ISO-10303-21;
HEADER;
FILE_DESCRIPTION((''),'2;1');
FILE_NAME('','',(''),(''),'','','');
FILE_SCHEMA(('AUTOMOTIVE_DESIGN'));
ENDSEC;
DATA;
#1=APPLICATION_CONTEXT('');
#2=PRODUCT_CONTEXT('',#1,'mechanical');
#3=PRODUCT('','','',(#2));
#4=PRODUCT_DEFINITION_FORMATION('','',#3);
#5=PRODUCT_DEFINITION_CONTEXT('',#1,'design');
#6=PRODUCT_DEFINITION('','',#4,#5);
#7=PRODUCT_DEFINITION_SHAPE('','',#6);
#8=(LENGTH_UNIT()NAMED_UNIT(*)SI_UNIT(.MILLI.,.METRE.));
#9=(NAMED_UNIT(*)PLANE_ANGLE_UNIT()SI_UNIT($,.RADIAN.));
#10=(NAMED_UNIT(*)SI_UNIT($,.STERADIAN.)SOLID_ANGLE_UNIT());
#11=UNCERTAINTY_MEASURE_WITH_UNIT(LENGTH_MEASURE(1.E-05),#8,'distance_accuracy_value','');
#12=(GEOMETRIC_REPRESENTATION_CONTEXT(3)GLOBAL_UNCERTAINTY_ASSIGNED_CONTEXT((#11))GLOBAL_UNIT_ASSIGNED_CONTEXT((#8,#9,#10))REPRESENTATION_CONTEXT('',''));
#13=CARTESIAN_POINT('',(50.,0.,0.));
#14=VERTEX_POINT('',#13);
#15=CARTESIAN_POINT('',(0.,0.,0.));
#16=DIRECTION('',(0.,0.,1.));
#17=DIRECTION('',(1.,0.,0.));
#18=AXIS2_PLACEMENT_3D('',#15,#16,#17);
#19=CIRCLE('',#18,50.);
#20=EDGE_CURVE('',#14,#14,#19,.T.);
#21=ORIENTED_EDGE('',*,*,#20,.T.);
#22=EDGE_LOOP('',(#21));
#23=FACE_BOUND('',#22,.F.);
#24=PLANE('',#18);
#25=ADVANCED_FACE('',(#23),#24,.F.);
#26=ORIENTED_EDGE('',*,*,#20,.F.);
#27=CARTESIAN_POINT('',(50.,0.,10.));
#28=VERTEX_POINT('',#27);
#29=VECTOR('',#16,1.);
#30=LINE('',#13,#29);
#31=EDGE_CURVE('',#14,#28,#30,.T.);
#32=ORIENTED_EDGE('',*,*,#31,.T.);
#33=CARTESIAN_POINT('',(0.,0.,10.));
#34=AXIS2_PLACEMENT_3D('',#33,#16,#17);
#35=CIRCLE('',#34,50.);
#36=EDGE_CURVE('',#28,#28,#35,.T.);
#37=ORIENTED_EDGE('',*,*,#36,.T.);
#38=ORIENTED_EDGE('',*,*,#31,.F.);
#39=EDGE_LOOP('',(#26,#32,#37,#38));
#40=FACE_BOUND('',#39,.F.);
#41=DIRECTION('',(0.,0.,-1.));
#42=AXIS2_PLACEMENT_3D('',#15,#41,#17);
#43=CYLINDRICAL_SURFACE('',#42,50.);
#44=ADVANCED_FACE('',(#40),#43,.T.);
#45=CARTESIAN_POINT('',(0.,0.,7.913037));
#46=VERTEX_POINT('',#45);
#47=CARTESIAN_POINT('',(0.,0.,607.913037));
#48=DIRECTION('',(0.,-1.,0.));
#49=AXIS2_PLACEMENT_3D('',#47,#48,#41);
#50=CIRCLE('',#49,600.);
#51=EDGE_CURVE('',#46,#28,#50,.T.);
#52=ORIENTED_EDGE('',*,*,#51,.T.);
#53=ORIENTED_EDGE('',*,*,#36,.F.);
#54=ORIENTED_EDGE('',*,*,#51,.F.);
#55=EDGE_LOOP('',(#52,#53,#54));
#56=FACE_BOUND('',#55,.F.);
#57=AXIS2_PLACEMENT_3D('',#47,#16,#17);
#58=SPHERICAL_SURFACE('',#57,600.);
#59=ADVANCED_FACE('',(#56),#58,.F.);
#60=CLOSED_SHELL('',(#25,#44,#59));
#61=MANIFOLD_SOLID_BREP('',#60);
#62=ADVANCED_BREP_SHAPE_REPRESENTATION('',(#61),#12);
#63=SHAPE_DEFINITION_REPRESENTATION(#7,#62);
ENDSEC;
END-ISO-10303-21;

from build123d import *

# Parameters (mm, degrees)
CYLINDER001_R     = 50
CYLINDER001_DEPTH = 10


with BuildPart() as sphere001:
    # Sphere001 → Sphere001 (revolve)
    with BuildSketch(Plane(origin=(0, 0, 607.913037), x_dir=(1, 0, 0), z_dir=(0, -1, 0))):
        with BuildLine():
            ThreePointArc((0, -600), (600, 0), (0, 600))
            Line((0, 600), (0, -600))
        make_face()
    revolve(axis=Axis((0, 0, 607.913037), (0, 0, 1)))


with BuildPart() as concavemirror:
    # Cylinder001 → Cylinder001 (new body)
    with BuildSketch(Plane.XY):
        Circle(CYLINDER001_R)
    extrude(amount=CYLINDER001_DEPTH)

    # Cut001: cut Sphere001
    add(sphere001.part, mode=Mode.SUBTRACT)


solid = concavemirror.part
